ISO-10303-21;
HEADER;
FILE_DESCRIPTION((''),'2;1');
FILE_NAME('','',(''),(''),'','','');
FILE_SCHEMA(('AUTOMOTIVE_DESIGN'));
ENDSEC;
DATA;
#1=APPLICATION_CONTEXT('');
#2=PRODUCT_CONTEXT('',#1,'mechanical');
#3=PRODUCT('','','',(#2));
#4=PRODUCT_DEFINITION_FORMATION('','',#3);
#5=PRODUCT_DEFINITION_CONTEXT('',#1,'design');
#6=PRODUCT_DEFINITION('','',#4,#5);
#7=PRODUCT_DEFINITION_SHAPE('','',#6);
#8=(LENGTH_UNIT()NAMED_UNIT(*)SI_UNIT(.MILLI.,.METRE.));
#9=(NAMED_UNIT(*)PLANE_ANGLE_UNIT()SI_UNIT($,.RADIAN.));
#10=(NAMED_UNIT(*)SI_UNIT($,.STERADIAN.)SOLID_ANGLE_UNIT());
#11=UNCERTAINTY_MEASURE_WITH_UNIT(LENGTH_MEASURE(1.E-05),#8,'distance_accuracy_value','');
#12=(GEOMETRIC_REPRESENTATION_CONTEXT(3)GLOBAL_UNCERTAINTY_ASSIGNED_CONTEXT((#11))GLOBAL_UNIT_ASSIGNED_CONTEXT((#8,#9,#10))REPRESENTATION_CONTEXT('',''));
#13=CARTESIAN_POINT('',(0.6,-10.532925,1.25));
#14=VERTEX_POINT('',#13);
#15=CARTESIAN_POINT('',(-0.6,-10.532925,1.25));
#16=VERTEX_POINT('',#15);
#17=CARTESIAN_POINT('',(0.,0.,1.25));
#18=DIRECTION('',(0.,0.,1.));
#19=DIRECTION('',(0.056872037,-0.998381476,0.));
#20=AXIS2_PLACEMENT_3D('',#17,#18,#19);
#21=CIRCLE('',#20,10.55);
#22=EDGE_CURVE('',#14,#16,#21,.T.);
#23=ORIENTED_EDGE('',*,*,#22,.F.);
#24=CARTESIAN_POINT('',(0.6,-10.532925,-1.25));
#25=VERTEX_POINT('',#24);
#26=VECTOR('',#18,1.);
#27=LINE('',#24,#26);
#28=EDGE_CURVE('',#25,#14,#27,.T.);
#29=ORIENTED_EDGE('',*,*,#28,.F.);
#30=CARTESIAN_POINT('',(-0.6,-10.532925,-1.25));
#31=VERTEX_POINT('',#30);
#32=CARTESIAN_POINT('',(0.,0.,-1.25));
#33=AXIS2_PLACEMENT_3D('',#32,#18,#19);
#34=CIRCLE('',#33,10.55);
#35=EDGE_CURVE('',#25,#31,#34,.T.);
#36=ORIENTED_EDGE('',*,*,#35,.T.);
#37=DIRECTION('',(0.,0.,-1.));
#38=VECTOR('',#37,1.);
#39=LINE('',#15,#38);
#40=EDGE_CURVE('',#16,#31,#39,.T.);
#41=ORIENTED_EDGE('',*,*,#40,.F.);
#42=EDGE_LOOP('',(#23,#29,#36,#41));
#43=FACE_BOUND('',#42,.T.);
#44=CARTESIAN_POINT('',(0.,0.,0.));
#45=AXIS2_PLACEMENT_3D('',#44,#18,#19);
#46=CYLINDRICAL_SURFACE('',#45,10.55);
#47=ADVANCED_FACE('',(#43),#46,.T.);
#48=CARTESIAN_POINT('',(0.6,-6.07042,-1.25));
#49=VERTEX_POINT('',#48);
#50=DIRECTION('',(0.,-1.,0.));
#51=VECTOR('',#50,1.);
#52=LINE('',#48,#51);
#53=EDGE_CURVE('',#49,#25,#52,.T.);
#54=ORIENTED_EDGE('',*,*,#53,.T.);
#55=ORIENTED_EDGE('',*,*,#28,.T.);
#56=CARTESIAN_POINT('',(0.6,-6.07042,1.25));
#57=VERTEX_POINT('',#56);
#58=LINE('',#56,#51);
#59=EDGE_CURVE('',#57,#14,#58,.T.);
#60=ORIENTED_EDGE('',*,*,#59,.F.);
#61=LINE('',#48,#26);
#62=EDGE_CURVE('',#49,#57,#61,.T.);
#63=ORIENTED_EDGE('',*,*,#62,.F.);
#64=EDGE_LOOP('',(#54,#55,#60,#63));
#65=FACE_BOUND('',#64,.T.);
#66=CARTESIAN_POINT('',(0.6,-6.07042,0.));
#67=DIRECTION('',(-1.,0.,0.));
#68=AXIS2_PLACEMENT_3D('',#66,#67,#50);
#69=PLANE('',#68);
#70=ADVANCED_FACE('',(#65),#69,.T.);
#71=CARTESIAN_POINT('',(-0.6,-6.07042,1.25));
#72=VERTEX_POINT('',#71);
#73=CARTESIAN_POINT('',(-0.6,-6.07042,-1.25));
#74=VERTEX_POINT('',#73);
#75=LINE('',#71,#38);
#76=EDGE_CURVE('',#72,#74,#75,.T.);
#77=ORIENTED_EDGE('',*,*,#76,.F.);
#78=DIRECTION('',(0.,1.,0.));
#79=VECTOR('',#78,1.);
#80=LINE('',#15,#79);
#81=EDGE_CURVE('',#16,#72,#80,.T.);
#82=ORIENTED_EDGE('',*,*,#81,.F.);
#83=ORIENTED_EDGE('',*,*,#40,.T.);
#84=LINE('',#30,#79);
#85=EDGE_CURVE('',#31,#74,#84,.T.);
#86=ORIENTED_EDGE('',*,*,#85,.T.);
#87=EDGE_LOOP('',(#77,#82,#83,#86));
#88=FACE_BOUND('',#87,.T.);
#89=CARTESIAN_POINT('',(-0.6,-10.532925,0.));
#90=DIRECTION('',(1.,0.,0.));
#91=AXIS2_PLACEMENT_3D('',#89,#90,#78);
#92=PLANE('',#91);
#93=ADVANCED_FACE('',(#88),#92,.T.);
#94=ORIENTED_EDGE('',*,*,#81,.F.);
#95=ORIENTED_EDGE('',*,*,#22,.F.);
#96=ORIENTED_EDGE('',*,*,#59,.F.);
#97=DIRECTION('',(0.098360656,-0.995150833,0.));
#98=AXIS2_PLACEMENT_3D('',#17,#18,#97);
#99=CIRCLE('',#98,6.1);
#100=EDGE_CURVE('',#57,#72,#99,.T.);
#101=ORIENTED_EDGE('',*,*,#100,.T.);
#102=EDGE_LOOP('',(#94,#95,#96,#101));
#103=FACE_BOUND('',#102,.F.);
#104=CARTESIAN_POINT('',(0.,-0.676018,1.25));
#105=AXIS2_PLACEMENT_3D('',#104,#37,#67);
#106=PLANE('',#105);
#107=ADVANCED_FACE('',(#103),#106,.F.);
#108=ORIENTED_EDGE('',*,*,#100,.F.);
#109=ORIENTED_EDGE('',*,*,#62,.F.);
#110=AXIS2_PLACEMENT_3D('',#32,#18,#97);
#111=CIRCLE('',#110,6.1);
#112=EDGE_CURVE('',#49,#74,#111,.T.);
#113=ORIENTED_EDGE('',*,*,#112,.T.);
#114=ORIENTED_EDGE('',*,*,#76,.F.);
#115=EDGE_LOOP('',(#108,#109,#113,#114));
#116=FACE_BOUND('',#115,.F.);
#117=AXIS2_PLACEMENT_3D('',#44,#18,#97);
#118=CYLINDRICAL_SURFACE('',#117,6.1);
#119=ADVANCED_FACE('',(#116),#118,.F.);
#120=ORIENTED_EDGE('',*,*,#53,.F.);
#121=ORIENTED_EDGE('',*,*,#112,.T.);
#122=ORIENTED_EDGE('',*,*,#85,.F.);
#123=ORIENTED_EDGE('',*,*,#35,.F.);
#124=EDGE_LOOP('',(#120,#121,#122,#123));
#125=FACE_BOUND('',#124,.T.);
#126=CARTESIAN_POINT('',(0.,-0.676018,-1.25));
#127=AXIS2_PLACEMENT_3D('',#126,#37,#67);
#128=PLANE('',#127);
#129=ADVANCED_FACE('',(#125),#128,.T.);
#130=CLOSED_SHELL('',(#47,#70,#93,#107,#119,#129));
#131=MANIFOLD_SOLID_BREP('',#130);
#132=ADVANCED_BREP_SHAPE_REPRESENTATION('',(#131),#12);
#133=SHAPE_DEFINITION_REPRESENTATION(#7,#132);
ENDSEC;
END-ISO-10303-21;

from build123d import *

# Parameters (mm, degrees)
PAD_DEPTH = 1.25


with BuildPart() as part:
    # Sketch → Pad (new body, symmetric)
    with BuildSketch(Plane.XY):
        with BuildLine():
            ThreePointArc((0.6, -6.07042), (0, 6.1), (-0.6, -6.07042))
            Line((-0.6, -10.532925), (-0.6, -6.07042))
            ThreePointArc((0.6, -10.532925), (0, 10.55), (-0.6, -10.532925))
            Line((0.6, -6.07042), (0.6, -10.532925))
        make_face()
    extrude(amount=PAD_DEPTH, both=True)


solid = part.part
